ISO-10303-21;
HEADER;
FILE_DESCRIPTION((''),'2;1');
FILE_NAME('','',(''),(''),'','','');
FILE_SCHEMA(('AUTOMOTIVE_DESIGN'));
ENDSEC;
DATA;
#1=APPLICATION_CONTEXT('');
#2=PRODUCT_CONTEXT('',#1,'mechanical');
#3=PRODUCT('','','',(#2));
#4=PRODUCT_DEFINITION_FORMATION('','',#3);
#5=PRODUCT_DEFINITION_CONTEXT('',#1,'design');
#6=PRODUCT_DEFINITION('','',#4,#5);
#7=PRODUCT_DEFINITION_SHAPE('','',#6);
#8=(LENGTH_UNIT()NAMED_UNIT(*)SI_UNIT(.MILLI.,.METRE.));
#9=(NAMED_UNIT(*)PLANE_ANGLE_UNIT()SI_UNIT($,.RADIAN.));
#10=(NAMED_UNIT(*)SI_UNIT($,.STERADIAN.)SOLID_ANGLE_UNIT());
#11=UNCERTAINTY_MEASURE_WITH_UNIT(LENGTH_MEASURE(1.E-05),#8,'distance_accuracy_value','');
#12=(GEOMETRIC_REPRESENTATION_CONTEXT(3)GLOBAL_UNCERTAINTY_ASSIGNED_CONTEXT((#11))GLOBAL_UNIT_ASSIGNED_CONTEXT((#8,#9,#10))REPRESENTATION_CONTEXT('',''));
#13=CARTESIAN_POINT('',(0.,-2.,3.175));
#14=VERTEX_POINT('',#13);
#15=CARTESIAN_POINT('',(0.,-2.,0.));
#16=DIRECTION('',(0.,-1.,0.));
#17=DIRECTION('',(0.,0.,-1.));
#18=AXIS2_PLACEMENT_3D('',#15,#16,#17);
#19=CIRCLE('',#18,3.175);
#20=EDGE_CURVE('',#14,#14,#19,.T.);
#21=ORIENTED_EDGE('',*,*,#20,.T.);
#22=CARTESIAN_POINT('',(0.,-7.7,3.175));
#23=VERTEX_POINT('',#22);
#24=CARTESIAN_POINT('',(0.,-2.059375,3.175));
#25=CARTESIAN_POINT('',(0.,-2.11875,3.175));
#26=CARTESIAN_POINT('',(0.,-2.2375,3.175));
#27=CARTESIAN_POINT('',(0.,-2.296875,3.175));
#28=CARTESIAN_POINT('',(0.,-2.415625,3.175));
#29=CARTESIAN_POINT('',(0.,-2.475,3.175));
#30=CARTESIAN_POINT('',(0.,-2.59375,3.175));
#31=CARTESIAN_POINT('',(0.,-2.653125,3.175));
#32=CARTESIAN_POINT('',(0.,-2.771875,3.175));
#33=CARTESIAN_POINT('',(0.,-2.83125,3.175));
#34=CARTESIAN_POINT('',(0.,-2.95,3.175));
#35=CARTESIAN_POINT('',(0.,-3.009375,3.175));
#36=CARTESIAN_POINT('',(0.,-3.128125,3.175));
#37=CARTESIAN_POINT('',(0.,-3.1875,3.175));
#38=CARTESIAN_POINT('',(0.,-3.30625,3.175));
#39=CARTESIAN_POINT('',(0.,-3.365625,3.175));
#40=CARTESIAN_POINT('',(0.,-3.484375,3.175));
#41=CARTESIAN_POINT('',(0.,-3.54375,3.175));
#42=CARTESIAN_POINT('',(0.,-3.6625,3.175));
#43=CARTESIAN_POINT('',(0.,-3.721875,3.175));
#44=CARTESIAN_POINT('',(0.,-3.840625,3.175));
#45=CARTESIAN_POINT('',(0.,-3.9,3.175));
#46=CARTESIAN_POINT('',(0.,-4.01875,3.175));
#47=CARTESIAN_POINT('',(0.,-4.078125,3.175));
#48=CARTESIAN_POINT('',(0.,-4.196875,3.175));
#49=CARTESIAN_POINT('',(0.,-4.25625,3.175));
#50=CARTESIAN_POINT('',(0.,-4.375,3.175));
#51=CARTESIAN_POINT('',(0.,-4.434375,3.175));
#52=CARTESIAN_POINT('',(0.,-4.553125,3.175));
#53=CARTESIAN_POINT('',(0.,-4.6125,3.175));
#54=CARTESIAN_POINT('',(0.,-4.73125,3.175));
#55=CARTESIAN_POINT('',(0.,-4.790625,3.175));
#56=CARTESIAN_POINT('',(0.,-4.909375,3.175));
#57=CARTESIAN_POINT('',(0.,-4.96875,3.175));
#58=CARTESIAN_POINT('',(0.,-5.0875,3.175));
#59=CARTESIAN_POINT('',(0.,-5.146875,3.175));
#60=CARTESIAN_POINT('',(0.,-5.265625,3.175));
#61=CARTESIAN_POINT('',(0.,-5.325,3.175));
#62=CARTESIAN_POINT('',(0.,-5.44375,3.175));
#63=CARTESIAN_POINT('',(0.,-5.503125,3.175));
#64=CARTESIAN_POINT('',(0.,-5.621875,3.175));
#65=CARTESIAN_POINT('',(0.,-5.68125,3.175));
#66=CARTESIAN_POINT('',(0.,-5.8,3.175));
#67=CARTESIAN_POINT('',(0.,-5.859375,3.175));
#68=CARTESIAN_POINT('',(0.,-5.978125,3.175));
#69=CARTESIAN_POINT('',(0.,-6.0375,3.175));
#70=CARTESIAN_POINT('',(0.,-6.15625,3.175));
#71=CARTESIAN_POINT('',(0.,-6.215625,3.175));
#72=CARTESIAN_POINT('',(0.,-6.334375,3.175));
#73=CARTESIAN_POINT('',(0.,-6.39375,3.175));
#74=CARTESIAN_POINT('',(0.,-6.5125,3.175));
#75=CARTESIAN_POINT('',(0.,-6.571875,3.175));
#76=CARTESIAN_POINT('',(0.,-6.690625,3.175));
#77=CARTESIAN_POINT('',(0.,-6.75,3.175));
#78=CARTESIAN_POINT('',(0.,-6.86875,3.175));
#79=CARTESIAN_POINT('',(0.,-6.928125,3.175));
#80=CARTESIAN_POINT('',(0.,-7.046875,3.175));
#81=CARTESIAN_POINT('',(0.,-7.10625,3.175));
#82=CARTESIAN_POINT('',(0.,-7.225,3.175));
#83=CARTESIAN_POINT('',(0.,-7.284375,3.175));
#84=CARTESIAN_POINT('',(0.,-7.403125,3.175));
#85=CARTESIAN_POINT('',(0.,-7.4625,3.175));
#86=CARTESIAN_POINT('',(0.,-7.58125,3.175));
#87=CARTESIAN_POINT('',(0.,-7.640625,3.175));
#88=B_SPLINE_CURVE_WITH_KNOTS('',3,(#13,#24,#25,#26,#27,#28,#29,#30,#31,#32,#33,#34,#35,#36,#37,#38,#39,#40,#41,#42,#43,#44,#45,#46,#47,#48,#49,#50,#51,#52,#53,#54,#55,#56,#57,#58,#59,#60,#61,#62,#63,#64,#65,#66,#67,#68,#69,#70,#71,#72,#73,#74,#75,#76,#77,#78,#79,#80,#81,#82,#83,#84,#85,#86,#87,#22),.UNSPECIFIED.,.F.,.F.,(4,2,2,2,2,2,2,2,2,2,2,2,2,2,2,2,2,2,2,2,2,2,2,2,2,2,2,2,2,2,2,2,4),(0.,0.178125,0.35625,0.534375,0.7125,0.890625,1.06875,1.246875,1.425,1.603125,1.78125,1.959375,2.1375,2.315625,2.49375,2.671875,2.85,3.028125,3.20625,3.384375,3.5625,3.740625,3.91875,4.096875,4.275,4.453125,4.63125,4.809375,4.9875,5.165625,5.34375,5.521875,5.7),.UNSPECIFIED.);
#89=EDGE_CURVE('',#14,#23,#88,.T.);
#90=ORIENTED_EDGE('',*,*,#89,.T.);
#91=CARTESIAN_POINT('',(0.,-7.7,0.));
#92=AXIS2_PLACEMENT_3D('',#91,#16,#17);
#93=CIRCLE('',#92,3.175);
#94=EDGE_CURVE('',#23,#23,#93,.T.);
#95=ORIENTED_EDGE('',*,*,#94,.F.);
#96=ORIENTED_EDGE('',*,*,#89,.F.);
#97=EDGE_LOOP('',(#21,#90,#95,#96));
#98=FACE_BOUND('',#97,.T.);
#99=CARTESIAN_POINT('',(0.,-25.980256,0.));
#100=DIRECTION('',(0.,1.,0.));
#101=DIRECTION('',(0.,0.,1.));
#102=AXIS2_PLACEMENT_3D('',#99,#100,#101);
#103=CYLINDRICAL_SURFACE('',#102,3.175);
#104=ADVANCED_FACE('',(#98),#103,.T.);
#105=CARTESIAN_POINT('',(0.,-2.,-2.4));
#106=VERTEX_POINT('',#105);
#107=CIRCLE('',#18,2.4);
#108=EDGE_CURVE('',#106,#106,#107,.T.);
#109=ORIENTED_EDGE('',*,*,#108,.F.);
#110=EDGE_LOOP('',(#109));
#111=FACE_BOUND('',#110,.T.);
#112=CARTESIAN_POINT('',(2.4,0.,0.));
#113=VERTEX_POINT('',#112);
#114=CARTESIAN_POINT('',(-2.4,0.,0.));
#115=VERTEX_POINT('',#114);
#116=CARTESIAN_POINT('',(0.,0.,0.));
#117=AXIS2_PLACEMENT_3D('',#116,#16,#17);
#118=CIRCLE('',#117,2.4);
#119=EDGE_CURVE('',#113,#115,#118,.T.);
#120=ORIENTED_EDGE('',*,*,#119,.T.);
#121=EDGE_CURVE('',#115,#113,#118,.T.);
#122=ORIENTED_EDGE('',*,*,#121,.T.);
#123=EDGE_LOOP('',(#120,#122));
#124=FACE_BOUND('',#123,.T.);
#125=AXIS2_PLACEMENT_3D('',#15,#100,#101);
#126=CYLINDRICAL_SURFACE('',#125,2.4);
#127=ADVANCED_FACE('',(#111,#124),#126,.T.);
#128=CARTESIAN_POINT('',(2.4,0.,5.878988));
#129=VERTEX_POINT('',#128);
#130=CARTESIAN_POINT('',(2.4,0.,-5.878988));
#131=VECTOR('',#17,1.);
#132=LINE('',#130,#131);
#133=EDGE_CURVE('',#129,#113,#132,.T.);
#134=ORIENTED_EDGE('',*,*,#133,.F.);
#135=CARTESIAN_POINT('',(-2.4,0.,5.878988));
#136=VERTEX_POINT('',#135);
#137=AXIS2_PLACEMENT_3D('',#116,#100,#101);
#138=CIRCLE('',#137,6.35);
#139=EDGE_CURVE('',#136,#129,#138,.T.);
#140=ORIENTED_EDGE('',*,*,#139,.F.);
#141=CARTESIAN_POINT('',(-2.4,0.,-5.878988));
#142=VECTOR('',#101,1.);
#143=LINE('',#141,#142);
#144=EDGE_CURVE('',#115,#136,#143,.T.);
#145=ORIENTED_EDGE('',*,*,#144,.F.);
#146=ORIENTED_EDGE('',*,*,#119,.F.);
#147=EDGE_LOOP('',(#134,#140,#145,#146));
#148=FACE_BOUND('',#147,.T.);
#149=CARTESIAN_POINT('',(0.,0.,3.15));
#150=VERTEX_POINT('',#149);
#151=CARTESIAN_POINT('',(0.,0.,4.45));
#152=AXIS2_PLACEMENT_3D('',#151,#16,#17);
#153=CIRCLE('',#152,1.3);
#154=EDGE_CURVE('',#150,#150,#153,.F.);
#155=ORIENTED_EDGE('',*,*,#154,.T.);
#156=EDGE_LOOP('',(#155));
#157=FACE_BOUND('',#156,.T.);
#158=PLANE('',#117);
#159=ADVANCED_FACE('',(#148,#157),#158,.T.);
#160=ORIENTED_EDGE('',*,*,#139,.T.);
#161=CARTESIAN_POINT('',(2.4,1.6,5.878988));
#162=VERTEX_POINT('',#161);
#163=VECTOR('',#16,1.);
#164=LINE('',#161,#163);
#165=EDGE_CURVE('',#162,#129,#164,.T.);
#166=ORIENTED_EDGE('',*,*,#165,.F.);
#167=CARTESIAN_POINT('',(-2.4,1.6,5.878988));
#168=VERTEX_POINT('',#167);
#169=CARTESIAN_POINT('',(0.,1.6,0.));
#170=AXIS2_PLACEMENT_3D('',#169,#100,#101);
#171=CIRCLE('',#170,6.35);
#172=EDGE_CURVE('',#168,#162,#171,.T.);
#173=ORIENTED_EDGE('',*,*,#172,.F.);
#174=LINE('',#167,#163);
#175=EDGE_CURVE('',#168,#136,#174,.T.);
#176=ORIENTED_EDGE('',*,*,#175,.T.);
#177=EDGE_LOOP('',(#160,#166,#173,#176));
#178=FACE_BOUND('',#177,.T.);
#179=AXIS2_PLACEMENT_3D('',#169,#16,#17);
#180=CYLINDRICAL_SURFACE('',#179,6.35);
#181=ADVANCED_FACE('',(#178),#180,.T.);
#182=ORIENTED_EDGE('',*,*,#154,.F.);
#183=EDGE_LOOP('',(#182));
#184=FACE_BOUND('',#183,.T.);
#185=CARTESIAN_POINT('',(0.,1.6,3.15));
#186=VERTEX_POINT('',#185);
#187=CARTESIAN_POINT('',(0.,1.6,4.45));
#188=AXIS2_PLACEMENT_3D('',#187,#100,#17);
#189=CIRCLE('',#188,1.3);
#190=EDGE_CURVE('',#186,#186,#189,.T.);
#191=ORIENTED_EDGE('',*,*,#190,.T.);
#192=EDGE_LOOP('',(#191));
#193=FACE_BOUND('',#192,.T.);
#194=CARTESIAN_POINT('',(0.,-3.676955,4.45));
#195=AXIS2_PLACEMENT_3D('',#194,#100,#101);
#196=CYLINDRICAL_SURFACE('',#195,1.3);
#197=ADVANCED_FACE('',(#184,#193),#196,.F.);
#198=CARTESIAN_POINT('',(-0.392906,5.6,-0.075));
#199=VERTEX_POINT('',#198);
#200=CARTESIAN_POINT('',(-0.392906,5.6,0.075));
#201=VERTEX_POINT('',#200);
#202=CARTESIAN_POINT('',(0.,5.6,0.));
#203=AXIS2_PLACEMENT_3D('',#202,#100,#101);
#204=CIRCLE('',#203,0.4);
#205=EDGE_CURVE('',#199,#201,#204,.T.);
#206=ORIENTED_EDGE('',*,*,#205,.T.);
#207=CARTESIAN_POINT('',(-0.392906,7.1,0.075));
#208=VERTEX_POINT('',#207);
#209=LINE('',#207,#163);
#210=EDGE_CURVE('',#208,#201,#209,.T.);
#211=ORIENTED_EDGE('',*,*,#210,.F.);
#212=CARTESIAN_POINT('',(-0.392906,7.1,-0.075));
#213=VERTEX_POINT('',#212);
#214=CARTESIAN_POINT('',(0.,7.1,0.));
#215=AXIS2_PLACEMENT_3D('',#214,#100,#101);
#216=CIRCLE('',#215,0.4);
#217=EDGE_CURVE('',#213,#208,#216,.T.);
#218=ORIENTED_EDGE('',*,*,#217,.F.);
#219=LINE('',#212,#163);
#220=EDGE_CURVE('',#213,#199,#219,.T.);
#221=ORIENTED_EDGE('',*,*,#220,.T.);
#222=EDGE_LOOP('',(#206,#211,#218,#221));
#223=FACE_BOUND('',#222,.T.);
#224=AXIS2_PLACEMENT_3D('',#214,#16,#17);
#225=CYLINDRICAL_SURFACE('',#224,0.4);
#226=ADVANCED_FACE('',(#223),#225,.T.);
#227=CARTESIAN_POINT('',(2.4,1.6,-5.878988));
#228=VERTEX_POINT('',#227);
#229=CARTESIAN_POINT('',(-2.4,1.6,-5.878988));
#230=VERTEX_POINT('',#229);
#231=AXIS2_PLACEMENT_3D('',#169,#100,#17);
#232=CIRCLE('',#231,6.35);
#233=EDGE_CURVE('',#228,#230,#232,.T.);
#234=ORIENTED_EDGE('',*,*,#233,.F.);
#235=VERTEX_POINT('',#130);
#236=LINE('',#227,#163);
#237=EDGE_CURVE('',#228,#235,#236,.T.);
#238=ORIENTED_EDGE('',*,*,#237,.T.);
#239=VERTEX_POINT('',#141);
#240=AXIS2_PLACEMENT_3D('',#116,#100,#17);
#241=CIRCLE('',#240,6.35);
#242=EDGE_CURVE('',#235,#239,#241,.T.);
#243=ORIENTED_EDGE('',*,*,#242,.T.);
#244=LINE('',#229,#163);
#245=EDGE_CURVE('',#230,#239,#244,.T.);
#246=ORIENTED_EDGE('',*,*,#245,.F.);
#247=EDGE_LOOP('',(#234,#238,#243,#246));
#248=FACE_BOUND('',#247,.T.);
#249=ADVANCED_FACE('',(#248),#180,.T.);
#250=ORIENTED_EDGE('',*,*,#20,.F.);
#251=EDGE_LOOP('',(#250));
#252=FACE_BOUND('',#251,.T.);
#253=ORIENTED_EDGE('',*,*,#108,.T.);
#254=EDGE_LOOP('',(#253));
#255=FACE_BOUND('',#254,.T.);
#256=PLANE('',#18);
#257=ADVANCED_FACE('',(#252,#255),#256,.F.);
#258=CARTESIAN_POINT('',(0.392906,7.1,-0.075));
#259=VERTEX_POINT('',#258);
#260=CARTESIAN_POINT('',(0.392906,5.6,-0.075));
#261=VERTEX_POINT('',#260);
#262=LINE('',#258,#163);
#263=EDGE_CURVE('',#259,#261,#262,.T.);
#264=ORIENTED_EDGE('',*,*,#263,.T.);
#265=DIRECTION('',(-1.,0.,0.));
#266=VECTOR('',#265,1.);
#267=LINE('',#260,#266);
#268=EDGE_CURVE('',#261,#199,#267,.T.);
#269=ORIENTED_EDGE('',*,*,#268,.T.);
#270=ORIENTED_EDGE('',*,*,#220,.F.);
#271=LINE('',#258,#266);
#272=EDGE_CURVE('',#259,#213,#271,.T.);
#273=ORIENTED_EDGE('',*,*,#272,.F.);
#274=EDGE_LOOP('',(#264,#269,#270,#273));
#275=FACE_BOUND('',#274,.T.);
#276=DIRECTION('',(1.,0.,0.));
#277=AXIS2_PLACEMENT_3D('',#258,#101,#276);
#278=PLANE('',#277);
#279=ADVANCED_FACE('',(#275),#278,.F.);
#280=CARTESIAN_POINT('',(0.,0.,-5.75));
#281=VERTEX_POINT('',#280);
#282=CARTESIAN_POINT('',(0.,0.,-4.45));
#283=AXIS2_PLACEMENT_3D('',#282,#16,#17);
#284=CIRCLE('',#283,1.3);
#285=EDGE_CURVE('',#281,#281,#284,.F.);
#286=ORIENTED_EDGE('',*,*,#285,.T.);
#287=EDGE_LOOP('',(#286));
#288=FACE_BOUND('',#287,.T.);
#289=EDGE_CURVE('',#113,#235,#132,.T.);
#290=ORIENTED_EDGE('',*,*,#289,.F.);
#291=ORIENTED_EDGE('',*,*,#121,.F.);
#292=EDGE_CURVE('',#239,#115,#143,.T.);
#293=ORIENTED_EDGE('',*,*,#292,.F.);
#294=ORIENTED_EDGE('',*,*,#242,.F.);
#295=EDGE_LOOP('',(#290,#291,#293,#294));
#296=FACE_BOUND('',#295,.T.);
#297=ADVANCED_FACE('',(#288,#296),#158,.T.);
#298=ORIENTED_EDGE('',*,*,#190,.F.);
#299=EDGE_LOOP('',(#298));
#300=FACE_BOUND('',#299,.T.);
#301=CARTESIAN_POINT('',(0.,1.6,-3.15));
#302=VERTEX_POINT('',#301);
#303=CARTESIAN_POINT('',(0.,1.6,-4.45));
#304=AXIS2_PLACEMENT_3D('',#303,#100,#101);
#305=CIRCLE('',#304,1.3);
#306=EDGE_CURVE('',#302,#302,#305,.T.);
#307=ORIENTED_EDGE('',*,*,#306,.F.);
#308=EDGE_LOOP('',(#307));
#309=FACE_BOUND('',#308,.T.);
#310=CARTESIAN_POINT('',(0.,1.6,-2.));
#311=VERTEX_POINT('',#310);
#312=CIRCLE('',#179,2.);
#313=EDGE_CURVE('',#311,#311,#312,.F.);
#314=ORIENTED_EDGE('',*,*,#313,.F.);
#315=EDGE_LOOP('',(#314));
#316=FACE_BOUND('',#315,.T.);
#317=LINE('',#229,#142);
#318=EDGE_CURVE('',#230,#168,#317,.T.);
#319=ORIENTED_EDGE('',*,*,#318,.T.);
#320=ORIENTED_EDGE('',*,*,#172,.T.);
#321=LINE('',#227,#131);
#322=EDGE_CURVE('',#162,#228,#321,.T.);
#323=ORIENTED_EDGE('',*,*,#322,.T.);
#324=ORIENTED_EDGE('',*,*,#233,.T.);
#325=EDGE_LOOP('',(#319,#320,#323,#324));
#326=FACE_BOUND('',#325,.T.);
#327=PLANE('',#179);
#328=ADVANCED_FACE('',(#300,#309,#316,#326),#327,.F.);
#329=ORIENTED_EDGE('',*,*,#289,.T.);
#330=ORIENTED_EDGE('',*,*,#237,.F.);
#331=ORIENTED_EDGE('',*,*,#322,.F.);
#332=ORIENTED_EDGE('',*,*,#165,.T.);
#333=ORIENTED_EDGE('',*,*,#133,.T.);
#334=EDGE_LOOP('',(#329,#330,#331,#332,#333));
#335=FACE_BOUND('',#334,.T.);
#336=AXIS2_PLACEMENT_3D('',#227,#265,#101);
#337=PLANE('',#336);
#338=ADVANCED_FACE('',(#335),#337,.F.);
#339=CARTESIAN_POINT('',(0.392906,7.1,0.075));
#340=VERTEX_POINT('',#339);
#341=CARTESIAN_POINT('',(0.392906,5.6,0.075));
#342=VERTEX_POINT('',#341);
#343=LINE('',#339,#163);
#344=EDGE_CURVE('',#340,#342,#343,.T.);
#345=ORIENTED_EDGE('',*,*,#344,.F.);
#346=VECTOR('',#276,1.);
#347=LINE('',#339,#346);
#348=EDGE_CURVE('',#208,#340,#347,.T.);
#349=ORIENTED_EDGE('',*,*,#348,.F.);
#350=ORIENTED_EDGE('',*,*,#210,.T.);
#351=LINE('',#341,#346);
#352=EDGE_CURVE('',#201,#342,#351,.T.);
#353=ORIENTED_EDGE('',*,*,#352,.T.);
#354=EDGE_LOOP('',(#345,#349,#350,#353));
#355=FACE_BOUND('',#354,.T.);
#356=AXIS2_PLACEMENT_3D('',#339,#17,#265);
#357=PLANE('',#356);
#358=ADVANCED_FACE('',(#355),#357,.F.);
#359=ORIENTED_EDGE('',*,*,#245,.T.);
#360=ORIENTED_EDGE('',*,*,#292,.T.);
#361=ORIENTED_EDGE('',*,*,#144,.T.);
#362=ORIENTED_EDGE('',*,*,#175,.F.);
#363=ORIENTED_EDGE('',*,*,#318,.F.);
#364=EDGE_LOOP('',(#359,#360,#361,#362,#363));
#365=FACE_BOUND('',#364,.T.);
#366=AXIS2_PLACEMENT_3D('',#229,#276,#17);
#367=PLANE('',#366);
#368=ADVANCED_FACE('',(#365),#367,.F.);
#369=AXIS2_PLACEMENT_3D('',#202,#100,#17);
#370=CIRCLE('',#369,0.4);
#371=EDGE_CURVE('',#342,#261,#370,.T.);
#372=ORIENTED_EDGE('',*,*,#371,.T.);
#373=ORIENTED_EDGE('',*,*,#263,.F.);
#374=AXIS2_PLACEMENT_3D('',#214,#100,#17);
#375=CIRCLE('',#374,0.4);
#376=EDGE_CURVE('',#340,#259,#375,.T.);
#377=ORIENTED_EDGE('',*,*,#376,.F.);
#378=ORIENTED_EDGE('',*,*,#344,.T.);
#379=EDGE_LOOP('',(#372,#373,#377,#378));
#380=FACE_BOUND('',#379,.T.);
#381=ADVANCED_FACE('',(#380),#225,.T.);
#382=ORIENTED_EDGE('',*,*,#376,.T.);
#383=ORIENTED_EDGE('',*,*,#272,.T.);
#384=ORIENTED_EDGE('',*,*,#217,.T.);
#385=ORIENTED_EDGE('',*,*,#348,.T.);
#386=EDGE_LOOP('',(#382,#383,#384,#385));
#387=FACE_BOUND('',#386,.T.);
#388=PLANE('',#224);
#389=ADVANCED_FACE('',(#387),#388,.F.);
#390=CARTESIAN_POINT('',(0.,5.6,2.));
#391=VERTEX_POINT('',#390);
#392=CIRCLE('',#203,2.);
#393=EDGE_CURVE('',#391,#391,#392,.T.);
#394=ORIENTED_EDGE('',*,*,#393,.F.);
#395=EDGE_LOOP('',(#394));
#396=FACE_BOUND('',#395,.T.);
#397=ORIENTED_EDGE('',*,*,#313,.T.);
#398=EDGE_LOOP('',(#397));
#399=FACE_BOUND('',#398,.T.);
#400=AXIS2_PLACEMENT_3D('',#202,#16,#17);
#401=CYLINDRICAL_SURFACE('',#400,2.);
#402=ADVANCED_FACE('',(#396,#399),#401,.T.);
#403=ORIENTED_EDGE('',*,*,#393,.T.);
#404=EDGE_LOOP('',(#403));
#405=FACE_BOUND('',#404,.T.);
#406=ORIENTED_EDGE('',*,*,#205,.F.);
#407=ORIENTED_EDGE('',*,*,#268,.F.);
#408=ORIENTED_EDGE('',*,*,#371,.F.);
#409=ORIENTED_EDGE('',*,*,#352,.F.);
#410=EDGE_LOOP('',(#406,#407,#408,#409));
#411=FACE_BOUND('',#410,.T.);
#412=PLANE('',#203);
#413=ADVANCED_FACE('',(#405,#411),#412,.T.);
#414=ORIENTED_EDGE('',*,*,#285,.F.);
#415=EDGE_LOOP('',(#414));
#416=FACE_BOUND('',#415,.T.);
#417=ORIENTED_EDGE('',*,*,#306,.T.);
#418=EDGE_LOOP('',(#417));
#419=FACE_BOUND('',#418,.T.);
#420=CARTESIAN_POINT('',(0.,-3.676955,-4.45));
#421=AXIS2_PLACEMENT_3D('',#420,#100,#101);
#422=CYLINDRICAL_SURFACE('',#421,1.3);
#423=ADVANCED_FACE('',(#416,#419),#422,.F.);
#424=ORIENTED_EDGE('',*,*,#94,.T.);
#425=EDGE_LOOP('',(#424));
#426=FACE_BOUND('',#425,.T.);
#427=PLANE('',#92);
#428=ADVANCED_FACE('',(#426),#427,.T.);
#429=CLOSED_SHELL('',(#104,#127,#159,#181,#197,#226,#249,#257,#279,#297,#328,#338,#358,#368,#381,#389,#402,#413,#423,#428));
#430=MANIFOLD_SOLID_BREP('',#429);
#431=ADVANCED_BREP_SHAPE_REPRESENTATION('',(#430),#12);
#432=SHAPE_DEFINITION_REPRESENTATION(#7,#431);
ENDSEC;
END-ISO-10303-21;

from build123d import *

# Parameters (mm, degrees)
BOSS_EXTRUDE1_DEPTH = 1.6
SKETCH2_R           = 1.3
CUT_EXTRUDE1_DEPTH  = 1.6
SKETCH3_R           = 2
BOSS_EXTRUDE2_DEPTH = 4
BOSS_EXTRUDE3_DEPTH = 1.5
SKETCH5_R           = 2.4
BOSS_EXTRUDE5_DEPTH = 2
SKETCH6_R           = 3.175
BOSS_EXTRUDE7_DEPTH = 5.7


with BuildPart() as part:
    # Sketch1 → Boss-Extrude1 (new body)
    with BuildSketch(Plane(origin=(0, 0, 0), x_dir=(1, 0, 0), z_dir=(0, 1, 0))):
        with BuildLine():
            Line((-2.4, 5.878988008), (-2.4, -5.878988008))
            ThreePointArc((-2.4, -5.878988008), (0, -6.35), (2.4, -5.878988008))
            Line((2.4, -5.878988008), (2.4, 5.878988008))
            ThreePointArc((2.4, 5.878988008), (0, 6.35), (-2.4, 5.878988008))
        make_face()
    extrude(amount=BOSS_EXTRUDE1_DEPTH)

    # Sketch2 → Cut-Extrude1 (cut)
    with BuildSketch(Plane(origin=(0, 1.6, 0), x_dir=(1, 0, 0), z_dir=(0, 1, 0))):
        with Locations(Location((0, 4.45, 0), (0, 0, 270))):
            Circle(SKETCH2_R)
        with Locations(Location((0, -4.45, 0), (0, 0, 90))):
            Circle(SKETCH2_R)
    extrude(amount=-CUT_EXTRUDE1_DEPTH, mode=Mode.SUBTRACT)

    # Sketch3 → Boss-Extrude2 (add)
    with BuildSketch(Plane(origin=(0, 1.6, 0), x_dir=(1, 0, 0), z_dir=(0, 1, 0))):
        with Locations(Location((0, 0, 0), (0, 0, 90))):
            Circle(SKETCH3_R)
    extrude(amount=BOSS_EXTRUDE2_DEPTH)

    # Sketch4 → Boss-Extrude3 (add)
    with BuildSketch(Plane(origin=(0, 5.6, 0), x_dir=(1, 0, 0), z_dir=(0, 1, 0))):
        with BuildLine():
            Line((0.392905841, 0.075), (-0.392905841, 0.075))
            ThreePointArc((-0.392905841, 0.075), (-0.4, 0), (-0.392905841, -0.075))
            Line((-0.392905841, -0.075), (0.392905841, -0.075))
            ThreePointArc((0.392905841, -0.075), (0.4, 0), (0.392905841, 0.075))
        make_face()
    extrude(amount=BOSS_EXTRUDE3_DEPTH)

    # Sketch5 → Boss-Extrude5 (add)
    with BuildSketch(Plane.XZ):
        with Locations(Location((0, 0, 0), (0, 0, 180))):
            Circle(SKETCH5_R)
    extrude(amount=BOSS_EXTRUDE5_DEPTH)

    # Sketch6 → Boss-Extrude7 (add)
    with BuildSketch(Plane.XZ.offset(2)):
        with Locations(Location((0, 0, 0), (0, 0, 90))):
            Circle(SKETCH6_R)
    extrude(amount=BOSS_EXTRUDE7_DEPTH)


solid = part.part
